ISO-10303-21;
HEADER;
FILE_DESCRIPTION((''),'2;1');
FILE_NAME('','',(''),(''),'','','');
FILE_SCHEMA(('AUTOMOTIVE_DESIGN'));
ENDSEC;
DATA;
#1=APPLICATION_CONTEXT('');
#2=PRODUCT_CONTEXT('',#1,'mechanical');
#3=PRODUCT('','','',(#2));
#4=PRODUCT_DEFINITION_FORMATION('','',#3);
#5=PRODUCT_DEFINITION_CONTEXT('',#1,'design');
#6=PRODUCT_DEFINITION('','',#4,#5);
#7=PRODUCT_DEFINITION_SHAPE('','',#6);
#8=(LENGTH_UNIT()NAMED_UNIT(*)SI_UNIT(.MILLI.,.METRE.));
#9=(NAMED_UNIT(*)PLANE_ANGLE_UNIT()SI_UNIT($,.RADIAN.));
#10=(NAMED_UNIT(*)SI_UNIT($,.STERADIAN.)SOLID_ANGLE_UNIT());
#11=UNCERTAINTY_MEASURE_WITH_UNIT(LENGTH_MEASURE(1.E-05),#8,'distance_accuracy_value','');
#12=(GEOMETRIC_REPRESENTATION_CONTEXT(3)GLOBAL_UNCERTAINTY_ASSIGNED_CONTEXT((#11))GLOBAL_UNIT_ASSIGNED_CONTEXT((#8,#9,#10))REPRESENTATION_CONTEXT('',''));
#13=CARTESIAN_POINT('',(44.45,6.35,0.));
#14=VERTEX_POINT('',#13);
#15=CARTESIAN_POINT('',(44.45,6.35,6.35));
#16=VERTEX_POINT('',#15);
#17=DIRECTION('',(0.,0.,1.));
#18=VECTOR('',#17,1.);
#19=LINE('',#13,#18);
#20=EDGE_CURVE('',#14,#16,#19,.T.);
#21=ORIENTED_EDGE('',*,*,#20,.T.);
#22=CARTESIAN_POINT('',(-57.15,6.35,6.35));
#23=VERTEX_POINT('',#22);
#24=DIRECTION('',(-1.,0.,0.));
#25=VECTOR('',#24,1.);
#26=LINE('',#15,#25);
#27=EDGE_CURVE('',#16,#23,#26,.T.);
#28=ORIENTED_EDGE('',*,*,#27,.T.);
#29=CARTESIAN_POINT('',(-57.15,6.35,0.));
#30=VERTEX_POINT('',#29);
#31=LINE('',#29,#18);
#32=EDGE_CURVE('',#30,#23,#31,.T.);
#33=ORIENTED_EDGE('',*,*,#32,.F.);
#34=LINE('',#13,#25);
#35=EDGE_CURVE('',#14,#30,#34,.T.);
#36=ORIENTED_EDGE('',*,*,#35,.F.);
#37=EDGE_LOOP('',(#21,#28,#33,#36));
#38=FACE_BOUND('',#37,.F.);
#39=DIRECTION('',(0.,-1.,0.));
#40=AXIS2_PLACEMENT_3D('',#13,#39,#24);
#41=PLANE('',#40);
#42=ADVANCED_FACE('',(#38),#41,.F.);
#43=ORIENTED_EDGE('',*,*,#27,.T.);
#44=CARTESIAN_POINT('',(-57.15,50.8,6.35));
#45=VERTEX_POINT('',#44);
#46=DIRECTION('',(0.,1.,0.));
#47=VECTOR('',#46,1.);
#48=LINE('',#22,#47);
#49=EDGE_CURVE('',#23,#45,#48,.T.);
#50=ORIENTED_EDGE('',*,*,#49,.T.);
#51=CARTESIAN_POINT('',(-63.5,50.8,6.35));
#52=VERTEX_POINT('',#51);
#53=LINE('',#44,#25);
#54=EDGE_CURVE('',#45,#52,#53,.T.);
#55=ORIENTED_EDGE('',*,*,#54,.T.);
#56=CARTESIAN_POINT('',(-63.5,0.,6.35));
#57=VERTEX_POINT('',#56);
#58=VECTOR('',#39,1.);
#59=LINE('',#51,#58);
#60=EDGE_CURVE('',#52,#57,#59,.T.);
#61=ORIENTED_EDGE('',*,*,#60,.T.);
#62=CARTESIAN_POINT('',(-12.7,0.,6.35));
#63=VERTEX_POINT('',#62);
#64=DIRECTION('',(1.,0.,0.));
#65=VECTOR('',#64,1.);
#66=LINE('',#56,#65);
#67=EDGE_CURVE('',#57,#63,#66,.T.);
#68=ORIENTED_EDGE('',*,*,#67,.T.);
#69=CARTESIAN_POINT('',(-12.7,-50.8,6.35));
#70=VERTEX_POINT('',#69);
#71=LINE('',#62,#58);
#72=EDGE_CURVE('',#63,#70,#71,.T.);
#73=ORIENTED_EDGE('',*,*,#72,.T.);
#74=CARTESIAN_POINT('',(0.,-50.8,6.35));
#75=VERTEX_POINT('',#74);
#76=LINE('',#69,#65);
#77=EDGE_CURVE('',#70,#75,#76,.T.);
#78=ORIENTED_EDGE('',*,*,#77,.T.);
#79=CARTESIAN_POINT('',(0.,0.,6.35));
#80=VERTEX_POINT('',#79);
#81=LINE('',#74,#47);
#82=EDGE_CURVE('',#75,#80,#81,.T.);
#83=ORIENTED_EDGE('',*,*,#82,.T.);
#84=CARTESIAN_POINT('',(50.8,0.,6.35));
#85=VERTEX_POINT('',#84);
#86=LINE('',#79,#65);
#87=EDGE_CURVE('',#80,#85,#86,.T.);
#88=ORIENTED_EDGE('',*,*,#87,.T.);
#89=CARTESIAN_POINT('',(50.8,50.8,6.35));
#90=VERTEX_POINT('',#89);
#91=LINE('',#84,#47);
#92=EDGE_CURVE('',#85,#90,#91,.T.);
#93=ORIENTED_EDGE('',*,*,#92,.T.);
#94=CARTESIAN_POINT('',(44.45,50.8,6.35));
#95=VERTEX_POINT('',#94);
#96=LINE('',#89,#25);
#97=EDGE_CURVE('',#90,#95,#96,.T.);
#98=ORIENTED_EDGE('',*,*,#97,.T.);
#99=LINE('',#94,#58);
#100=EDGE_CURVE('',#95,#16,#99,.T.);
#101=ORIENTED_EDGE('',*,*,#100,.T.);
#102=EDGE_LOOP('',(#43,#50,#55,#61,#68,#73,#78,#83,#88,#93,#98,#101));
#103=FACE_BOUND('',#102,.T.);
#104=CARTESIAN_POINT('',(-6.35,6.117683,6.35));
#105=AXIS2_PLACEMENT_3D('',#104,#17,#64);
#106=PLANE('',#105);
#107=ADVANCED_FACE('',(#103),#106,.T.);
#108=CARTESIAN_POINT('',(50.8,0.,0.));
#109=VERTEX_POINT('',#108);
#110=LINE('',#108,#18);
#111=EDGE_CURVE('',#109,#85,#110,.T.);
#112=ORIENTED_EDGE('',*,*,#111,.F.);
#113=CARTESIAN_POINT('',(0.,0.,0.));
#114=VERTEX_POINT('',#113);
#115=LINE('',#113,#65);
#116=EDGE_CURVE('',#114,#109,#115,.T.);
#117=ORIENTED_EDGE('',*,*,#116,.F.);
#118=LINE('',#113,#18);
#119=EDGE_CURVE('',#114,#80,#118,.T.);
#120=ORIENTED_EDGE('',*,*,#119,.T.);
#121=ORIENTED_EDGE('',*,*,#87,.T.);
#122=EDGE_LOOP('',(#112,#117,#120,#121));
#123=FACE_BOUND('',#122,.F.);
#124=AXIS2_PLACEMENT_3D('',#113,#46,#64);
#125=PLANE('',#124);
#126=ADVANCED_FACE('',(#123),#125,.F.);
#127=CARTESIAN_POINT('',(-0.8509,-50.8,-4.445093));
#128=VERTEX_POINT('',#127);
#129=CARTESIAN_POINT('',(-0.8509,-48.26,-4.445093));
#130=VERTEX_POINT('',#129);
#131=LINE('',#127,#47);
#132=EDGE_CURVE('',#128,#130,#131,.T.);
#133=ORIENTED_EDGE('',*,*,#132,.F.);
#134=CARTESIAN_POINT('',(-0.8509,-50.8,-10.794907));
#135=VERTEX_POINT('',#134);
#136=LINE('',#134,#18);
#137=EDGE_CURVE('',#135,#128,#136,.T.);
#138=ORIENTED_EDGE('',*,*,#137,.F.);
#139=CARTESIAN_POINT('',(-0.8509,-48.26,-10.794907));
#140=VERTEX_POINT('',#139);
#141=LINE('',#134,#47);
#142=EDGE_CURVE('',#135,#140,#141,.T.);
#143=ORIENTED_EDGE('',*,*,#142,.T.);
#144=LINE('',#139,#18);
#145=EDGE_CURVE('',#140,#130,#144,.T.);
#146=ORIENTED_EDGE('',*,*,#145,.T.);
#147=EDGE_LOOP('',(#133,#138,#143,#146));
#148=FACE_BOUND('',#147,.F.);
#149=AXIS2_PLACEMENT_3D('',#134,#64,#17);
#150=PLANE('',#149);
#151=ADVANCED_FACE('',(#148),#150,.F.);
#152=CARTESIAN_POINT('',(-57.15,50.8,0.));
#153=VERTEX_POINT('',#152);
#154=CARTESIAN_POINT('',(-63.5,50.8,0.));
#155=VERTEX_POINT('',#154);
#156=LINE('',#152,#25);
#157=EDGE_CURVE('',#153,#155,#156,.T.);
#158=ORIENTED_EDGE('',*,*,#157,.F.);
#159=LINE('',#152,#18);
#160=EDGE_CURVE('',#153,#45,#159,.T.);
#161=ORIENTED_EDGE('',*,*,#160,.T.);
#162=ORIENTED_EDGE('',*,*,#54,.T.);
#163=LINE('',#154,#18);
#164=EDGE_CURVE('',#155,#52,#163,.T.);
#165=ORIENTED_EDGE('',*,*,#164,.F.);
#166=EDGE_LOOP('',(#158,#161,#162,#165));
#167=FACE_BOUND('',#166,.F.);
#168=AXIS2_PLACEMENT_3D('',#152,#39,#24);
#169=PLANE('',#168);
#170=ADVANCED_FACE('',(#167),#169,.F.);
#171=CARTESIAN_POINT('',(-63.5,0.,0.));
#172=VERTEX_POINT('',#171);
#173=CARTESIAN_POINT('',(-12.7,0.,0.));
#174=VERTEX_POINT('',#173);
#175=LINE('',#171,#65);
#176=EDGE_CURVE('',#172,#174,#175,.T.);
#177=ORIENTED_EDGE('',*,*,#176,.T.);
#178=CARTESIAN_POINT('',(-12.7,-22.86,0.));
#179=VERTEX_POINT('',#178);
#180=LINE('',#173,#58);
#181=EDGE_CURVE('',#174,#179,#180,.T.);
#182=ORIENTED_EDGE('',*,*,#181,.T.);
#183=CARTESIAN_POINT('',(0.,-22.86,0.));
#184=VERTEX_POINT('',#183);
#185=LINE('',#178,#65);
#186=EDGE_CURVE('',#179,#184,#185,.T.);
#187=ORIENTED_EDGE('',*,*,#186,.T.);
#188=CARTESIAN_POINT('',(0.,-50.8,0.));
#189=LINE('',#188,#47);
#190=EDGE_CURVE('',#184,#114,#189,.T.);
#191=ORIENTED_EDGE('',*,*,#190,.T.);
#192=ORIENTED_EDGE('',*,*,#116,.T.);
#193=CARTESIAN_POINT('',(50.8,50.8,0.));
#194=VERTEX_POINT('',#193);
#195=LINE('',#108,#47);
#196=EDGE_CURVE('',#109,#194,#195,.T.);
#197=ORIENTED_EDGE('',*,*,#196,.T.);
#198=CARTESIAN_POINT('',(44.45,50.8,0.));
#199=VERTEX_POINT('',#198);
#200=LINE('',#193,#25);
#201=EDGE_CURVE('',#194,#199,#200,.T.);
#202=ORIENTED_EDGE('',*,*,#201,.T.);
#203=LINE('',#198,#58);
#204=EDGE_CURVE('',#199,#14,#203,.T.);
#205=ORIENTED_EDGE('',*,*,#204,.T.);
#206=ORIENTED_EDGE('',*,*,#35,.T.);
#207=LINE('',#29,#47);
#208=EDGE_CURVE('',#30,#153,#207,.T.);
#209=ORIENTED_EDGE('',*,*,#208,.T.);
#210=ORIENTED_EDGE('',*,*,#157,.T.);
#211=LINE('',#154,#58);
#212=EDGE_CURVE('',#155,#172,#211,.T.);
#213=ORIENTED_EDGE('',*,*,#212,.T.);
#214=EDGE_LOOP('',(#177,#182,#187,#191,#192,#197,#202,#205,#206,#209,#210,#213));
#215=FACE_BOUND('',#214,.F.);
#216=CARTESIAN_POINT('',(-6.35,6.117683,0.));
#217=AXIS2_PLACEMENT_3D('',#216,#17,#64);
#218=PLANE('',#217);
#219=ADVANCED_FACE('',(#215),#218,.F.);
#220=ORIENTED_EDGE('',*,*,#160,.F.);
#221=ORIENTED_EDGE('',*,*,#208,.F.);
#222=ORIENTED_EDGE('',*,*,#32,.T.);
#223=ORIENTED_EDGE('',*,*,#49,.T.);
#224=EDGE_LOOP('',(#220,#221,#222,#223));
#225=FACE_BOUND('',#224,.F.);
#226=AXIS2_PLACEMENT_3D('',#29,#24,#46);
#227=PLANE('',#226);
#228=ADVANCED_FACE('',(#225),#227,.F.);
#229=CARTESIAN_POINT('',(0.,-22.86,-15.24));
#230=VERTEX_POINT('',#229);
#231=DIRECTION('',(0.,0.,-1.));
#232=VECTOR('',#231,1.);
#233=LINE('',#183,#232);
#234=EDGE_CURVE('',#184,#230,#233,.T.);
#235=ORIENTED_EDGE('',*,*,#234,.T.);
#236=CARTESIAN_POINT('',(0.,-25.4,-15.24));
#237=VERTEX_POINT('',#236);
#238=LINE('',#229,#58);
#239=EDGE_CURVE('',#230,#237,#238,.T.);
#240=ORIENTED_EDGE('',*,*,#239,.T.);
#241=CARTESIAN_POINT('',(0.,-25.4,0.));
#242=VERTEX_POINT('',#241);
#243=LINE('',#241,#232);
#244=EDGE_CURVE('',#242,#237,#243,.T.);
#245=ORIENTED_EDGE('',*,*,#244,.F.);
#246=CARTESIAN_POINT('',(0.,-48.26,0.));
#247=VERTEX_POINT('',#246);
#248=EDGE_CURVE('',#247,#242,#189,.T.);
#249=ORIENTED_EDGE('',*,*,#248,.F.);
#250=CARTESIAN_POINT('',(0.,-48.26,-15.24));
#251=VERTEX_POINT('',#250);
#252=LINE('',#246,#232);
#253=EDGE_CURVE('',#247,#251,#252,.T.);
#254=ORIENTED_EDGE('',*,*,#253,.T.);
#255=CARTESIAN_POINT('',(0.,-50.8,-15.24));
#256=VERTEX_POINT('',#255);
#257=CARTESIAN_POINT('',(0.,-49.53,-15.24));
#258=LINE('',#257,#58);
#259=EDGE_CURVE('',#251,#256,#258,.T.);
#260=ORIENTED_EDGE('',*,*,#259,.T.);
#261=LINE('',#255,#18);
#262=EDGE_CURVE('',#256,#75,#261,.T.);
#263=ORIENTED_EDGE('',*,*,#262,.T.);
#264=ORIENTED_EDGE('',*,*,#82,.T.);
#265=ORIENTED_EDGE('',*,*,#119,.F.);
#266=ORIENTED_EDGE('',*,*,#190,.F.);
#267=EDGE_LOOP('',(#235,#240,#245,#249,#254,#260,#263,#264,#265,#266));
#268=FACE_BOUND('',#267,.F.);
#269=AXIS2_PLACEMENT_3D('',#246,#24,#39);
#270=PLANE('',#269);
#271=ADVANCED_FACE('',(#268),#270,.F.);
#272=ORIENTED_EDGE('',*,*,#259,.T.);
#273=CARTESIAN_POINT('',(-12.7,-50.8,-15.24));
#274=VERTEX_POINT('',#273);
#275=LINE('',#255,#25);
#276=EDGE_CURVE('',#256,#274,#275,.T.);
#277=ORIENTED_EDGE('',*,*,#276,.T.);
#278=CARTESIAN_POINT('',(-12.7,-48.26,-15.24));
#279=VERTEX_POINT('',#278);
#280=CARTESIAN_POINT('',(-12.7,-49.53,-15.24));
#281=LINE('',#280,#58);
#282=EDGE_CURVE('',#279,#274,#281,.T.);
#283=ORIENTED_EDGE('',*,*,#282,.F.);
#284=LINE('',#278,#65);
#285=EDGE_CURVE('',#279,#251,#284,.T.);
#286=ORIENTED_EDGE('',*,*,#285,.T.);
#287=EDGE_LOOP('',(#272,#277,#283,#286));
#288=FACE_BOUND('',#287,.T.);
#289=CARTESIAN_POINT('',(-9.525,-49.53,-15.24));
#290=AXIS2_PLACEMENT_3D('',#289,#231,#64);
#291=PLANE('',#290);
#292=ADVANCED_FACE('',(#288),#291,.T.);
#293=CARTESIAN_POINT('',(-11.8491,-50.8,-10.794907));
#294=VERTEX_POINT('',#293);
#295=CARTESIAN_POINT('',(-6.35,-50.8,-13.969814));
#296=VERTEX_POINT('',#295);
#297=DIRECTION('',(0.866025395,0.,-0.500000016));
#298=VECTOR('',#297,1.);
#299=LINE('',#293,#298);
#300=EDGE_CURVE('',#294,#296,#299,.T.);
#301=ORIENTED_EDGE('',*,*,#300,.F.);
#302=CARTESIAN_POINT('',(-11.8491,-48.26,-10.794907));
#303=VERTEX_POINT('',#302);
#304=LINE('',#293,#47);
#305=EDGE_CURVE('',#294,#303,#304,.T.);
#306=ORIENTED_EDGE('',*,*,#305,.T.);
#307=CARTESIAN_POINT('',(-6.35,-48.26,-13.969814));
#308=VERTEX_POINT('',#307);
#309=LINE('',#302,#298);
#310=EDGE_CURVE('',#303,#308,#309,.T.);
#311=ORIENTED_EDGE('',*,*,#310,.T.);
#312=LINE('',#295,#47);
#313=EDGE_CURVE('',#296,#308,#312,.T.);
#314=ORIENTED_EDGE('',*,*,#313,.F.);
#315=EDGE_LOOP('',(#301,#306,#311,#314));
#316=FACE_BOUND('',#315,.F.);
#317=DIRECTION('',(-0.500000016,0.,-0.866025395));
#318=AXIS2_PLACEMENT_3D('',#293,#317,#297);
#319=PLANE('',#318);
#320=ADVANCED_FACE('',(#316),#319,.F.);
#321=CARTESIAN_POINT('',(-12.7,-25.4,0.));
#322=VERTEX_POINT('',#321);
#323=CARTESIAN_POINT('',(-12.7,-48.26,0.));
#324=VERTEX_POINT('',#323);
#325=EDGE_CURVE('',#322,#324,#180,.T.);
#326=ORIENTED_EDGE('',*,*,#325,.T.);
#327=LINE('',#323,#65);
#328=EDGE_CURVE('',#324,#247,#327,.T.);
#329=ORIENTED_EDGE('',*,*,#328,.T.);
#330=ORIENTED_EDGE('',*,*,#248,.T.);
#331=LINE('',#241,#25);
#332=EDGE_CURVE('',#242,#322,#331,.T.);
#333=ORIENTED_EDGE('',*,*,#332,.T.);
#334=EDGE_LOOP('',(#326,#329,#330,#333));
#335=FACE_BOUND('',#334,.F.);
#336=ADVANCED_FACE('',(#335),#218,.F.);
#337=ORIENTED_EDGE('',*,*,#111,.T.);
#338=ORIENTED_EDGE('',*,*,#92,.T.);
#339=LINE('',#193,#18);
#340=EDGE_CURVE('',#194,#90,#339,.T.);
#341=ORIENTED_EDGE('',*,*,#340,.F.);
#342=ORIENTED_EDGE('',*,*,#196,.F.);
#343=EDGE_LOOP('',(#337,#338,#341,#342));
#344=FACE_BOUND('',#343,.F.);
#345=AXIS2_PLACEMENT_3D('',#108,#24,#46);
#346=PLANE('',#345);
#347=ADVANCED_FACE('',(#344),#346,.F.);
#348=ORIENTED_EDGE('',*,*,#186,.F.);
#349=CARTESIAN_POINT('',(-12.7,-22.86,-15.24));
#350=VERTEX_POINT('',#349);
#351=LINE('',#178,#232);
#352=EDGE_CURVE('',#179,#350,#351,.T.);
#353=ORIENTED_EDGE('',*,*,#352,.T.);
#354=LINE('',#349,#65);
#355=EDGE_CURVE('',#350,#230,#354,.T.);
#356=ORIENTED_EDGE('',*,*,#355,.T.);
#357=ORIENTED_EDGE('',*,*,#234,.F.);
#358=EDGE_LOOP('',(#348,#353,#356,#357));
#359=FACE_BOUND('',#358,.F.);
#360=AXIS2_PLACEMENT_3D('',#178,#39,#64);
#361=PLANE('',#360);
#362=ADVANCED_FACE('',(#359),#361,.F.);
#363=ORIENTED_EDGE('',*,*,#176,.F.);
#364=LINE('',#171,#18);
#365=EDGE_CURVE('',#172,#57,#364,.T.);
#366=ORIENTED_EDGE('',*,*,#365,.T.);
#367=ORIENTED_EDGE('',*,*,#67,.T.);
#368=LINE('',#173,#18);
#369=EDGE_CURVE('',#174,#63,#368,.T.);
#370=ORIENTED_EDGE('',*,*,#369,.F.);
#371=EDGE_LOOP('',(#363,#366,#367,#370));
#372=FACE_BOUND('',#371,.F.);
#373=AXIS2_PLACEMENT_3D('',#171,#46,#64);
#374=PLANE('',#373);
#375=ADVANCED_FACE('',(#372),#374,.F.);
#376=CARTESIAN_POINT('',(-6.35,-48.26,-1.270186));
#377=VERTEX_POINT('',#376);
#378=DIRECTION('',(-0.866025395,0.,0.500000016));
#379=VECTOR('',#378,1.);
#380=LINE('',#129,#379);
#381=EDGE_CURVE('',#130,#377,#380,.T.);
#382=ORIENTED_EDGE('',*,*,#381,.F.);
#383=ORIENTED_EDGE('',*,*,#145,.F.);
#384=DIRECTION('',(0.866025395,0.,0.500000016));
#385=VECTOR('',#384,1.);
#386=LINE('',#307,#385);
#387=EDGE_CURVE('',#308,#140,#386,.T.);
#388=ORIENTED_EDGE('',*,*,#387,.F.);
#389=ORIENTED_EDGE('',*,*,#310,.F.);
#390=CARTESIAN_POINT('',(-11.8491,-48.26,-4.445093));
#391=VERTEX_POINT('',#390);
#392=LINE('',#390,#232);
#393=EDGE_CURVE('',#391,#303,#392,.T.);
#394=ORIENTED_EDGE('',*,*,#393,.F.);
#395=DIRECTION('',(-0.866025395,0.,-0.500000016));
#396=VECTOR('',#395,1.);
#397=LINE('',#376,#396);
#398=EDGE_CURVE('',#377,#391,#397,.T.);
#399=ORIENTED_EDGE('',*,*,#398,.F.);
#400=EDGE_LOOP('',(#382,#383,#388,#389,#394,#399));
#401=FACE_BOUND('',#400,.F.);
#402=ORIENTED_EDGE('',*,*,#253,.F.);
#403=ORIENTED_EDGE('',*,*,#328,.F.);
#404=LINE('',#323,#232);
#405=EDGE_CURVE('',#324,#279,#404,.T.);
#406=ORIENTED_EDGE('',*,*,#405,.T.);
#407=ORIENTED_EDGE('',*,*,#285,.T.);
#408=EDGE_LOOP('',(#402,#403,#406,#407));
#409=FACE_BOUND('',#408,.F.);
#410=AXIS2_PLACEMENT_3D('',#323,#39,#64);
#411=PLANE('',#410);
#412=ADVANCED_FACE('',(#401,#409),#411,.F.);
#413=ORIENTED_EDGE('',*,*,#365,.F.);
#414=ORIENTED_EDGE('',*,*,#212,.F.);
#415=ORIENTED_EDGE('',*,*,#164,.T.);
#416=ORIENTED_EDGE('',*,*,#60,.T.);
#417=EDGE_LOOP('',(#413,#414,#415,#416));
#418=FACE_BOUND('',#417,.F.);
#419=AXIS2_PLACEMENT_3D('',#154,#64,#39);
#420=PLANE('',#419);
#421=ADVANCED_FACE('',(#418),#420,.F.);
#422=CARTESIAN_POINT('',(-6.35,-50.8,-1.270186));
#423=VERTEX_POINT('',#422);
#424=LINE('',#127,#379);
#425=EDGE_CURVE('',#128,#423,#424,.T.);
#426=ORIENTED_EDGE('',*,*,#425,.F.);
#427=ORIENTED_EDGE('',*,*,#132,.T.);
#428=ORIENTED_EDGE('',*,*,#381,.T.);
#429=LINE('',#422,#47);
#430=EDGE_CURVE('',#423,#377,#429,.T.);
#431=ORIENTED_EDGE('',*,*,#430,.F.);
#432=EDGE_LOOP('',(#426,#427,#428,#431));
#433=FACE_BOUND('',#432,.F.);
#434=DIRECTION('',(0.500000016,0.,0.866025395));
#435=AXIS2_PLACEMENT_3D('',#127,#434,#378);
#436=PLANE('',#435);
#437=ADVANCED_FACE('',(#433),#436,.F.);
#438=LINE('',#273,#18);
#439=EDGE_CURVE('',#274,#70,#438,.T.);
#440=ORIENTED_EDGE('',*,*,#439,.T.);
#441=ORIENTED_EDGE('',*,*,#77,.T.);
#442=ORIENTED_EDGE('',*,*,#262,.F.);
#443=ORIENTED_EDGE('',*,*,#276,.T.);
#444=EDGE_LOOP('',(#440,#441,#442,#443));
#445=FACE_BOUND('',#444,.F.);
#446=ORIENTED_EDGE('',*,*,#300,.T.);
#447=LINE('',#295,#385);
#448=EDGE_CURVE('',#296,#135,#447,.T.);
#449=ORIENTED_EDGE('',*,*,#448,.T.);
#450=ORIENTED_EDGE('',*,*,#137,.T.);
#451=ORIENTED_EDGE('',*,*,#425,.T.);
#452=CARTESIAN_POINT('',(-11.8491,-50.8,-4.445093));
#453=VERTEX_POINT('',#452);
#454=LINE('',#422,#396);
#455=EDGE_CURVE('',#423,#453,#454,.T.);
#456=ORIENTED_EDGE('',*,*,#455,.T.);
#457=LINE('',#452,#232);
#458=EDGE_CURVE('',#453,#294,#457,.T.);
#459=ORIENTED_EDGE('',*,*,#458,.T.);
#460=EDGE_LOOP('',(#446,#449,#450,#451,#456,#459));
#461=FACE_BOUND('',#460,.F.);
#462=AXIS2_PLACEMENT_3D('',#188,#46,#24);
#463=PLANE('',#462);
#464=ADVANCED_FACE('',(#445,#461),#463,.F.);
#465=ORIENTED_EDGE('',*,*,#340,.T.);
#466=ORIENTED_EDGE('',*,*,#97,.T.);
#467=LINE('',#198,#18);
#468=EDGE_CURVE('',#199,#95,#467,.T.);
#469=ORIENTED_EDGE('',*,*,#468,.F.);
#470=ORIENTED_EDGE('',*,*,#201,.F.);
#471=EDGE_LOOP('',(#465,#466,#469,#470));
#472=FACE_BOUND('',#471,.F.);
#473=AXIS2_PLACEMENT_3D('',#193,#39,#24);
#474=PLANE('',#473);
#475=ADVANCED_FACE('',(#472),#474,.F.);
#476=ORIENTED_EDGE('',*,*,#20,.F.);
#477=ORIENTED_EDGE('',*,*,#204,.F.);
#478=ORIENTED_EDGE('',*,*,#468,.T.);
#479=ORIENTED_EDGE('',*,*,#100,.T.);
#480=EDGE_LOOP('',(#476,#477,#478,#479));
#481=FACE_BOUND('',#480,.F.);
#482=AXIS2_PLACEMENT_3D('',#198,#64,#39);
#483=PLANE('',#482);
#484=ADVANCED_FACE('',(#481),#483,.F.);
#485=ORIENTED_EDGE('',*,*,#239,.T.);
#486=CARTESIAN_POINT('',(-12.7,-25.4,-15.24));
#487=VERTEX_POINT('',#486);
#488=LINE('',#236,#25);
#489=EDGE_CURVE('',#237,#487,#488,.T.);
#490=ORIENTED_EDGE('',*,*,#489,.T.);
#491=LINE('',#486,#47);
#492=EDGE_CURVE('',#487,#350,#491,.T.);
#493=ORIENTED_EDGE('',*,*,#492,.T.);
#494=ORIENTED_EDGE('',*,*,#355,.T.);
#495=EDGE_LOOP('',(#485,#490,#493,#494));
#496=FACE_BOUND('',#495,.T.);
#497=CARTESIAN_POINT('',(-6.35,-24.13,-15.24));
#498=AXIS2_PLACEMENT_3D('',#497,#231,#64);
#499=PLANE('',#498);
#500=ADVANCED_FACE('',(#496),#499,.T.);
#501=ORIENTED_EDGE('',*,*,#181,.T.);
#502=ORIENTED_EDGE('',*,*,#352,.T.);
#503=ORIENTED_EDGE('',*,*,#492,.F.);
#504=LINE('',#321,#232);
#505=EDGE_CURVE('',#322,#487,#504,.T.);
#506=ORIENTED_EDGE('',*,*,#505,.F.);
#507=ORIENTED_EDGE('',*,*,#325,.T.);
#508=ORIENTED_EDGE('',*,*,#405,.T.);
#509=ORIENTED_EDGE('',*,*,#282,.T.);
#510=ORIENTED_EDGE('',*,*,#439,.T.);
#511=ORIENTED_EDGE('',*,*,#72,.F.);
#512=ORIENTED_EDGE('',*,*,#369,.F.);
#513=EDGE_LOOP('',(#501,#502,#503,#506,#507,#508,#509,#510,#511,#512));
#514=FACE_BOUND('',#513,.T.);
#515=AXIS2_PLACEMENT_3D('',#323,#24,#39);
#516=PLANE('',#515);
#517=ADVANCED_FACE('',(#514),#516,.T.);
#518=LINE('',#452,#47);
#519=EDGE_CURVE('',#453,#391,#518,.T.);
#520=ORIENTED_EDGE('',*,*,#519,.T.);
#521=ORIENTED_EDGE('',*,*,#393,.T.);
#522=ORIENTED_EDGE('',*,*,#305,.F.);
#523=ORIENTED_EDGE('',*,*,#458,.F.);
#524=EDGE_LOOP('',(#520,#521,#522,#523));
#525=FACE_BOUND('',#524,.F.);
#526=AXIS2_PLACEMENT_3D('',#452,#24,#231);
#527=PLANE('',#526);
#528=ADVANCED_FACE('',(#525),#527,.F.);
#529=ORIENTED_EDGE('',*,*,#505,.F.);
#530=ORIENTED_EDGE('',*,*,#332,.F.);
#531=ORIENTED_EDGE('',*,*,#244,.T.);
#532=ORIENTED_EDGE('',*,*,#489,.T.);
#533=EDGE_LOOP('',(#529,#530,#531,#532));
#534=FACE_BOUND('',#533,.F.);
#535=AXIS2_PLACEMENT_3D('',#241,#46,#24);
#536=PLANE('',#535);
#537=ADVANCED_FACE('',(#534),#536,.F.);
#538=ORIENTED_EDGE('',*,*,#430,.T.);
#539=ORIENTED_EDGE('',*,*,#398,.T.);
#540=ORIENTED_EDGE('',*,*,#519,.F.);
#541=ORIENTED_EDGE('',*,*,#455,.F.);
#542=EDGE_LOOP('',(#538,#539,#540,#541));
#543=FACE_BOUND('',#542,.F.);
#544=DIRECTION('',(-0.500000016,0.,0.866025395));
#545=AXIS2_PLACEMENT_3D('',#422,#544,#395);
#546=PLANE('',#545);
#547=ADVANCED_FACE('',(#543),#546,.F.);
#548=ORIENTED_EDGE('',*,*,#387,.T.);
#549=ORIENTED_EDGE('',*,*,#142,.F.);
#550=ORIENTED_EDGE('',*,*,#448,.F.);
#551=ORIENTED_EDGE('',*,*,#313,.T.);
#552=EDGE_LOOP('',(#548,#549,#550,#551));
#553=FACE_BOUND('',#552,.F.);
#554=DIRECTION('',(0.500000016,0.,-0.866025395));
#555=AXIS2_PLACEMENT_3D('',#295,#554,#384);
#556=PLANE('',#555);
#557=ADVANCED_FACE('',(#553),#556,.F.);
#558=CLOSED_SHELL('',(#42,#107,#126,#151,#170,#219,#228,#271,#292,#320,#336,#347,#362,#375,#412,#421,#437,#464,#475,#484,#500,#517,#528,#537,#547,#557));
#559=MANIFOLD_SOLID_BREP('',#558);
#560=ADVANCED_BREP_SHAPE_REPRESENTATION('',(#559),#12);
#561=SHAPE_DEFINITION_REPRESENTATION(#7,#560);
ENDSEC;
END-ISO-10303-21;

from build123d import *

# Parameters (mm, degrees)
F1_DEPTH = 6.35
F2_W     = 6.35
F2_H     = 2.54
F3_DEPTH = 15.24
F5_DEPTH = 2.54


with BuildPart() as f1:
    # F0 (on Top) → F1 (new body)
    with BuildSketch(Plane.XY):
        Polygon((-12.7, -50.8), (-6.35, -50.8), (0, -50.8), (0, 0), (50.8, 0), (50.8, 50.8), (44.45, 50.8), (44.45, 6.35), (-57.15, 6.35), (-57.15, 50.8), (-63.5, 50.8), (-63.5, 0), (-12.7, 0), align=None)
    extrude(amount=F1_DEPTH)

    # F2 (on face) → F3 (join)
    with BuildSketch(Plane(origin=(0, 0, 0), x_dir=(1, 0, 0), z_dir=(0, 0, -1))):
        Polygon((0, 25.4), (-6.35, 25.4), (-12.7, 25.4), (-12.7, 22.86), (0, 22.86), align=None)
        with Locations((-9.525, 49.53)):
            Rectangle(F2_W, F2_H)
        with Locations((-3.175, 49.53)):
            Rectangle(F2_W, F2_H)
    extrude(amount=F3_DEPTH)

    # F4 (on face) → F5 (cut, through all)
    with BuildSketch(Plane.XZ.offset(50.8)):
        Polygon((-11.8491, -10.794907), (-6.35, -13.969814), (-0.8509, -10.794907), (-0.8509, -4.445093), (-6.35, -1.270186), (-11.8491, -4.445093), align=None)
    extrude(amount=-F5_DEPTH, mode=Mode.SUBTRACT)


solid = f1.part
